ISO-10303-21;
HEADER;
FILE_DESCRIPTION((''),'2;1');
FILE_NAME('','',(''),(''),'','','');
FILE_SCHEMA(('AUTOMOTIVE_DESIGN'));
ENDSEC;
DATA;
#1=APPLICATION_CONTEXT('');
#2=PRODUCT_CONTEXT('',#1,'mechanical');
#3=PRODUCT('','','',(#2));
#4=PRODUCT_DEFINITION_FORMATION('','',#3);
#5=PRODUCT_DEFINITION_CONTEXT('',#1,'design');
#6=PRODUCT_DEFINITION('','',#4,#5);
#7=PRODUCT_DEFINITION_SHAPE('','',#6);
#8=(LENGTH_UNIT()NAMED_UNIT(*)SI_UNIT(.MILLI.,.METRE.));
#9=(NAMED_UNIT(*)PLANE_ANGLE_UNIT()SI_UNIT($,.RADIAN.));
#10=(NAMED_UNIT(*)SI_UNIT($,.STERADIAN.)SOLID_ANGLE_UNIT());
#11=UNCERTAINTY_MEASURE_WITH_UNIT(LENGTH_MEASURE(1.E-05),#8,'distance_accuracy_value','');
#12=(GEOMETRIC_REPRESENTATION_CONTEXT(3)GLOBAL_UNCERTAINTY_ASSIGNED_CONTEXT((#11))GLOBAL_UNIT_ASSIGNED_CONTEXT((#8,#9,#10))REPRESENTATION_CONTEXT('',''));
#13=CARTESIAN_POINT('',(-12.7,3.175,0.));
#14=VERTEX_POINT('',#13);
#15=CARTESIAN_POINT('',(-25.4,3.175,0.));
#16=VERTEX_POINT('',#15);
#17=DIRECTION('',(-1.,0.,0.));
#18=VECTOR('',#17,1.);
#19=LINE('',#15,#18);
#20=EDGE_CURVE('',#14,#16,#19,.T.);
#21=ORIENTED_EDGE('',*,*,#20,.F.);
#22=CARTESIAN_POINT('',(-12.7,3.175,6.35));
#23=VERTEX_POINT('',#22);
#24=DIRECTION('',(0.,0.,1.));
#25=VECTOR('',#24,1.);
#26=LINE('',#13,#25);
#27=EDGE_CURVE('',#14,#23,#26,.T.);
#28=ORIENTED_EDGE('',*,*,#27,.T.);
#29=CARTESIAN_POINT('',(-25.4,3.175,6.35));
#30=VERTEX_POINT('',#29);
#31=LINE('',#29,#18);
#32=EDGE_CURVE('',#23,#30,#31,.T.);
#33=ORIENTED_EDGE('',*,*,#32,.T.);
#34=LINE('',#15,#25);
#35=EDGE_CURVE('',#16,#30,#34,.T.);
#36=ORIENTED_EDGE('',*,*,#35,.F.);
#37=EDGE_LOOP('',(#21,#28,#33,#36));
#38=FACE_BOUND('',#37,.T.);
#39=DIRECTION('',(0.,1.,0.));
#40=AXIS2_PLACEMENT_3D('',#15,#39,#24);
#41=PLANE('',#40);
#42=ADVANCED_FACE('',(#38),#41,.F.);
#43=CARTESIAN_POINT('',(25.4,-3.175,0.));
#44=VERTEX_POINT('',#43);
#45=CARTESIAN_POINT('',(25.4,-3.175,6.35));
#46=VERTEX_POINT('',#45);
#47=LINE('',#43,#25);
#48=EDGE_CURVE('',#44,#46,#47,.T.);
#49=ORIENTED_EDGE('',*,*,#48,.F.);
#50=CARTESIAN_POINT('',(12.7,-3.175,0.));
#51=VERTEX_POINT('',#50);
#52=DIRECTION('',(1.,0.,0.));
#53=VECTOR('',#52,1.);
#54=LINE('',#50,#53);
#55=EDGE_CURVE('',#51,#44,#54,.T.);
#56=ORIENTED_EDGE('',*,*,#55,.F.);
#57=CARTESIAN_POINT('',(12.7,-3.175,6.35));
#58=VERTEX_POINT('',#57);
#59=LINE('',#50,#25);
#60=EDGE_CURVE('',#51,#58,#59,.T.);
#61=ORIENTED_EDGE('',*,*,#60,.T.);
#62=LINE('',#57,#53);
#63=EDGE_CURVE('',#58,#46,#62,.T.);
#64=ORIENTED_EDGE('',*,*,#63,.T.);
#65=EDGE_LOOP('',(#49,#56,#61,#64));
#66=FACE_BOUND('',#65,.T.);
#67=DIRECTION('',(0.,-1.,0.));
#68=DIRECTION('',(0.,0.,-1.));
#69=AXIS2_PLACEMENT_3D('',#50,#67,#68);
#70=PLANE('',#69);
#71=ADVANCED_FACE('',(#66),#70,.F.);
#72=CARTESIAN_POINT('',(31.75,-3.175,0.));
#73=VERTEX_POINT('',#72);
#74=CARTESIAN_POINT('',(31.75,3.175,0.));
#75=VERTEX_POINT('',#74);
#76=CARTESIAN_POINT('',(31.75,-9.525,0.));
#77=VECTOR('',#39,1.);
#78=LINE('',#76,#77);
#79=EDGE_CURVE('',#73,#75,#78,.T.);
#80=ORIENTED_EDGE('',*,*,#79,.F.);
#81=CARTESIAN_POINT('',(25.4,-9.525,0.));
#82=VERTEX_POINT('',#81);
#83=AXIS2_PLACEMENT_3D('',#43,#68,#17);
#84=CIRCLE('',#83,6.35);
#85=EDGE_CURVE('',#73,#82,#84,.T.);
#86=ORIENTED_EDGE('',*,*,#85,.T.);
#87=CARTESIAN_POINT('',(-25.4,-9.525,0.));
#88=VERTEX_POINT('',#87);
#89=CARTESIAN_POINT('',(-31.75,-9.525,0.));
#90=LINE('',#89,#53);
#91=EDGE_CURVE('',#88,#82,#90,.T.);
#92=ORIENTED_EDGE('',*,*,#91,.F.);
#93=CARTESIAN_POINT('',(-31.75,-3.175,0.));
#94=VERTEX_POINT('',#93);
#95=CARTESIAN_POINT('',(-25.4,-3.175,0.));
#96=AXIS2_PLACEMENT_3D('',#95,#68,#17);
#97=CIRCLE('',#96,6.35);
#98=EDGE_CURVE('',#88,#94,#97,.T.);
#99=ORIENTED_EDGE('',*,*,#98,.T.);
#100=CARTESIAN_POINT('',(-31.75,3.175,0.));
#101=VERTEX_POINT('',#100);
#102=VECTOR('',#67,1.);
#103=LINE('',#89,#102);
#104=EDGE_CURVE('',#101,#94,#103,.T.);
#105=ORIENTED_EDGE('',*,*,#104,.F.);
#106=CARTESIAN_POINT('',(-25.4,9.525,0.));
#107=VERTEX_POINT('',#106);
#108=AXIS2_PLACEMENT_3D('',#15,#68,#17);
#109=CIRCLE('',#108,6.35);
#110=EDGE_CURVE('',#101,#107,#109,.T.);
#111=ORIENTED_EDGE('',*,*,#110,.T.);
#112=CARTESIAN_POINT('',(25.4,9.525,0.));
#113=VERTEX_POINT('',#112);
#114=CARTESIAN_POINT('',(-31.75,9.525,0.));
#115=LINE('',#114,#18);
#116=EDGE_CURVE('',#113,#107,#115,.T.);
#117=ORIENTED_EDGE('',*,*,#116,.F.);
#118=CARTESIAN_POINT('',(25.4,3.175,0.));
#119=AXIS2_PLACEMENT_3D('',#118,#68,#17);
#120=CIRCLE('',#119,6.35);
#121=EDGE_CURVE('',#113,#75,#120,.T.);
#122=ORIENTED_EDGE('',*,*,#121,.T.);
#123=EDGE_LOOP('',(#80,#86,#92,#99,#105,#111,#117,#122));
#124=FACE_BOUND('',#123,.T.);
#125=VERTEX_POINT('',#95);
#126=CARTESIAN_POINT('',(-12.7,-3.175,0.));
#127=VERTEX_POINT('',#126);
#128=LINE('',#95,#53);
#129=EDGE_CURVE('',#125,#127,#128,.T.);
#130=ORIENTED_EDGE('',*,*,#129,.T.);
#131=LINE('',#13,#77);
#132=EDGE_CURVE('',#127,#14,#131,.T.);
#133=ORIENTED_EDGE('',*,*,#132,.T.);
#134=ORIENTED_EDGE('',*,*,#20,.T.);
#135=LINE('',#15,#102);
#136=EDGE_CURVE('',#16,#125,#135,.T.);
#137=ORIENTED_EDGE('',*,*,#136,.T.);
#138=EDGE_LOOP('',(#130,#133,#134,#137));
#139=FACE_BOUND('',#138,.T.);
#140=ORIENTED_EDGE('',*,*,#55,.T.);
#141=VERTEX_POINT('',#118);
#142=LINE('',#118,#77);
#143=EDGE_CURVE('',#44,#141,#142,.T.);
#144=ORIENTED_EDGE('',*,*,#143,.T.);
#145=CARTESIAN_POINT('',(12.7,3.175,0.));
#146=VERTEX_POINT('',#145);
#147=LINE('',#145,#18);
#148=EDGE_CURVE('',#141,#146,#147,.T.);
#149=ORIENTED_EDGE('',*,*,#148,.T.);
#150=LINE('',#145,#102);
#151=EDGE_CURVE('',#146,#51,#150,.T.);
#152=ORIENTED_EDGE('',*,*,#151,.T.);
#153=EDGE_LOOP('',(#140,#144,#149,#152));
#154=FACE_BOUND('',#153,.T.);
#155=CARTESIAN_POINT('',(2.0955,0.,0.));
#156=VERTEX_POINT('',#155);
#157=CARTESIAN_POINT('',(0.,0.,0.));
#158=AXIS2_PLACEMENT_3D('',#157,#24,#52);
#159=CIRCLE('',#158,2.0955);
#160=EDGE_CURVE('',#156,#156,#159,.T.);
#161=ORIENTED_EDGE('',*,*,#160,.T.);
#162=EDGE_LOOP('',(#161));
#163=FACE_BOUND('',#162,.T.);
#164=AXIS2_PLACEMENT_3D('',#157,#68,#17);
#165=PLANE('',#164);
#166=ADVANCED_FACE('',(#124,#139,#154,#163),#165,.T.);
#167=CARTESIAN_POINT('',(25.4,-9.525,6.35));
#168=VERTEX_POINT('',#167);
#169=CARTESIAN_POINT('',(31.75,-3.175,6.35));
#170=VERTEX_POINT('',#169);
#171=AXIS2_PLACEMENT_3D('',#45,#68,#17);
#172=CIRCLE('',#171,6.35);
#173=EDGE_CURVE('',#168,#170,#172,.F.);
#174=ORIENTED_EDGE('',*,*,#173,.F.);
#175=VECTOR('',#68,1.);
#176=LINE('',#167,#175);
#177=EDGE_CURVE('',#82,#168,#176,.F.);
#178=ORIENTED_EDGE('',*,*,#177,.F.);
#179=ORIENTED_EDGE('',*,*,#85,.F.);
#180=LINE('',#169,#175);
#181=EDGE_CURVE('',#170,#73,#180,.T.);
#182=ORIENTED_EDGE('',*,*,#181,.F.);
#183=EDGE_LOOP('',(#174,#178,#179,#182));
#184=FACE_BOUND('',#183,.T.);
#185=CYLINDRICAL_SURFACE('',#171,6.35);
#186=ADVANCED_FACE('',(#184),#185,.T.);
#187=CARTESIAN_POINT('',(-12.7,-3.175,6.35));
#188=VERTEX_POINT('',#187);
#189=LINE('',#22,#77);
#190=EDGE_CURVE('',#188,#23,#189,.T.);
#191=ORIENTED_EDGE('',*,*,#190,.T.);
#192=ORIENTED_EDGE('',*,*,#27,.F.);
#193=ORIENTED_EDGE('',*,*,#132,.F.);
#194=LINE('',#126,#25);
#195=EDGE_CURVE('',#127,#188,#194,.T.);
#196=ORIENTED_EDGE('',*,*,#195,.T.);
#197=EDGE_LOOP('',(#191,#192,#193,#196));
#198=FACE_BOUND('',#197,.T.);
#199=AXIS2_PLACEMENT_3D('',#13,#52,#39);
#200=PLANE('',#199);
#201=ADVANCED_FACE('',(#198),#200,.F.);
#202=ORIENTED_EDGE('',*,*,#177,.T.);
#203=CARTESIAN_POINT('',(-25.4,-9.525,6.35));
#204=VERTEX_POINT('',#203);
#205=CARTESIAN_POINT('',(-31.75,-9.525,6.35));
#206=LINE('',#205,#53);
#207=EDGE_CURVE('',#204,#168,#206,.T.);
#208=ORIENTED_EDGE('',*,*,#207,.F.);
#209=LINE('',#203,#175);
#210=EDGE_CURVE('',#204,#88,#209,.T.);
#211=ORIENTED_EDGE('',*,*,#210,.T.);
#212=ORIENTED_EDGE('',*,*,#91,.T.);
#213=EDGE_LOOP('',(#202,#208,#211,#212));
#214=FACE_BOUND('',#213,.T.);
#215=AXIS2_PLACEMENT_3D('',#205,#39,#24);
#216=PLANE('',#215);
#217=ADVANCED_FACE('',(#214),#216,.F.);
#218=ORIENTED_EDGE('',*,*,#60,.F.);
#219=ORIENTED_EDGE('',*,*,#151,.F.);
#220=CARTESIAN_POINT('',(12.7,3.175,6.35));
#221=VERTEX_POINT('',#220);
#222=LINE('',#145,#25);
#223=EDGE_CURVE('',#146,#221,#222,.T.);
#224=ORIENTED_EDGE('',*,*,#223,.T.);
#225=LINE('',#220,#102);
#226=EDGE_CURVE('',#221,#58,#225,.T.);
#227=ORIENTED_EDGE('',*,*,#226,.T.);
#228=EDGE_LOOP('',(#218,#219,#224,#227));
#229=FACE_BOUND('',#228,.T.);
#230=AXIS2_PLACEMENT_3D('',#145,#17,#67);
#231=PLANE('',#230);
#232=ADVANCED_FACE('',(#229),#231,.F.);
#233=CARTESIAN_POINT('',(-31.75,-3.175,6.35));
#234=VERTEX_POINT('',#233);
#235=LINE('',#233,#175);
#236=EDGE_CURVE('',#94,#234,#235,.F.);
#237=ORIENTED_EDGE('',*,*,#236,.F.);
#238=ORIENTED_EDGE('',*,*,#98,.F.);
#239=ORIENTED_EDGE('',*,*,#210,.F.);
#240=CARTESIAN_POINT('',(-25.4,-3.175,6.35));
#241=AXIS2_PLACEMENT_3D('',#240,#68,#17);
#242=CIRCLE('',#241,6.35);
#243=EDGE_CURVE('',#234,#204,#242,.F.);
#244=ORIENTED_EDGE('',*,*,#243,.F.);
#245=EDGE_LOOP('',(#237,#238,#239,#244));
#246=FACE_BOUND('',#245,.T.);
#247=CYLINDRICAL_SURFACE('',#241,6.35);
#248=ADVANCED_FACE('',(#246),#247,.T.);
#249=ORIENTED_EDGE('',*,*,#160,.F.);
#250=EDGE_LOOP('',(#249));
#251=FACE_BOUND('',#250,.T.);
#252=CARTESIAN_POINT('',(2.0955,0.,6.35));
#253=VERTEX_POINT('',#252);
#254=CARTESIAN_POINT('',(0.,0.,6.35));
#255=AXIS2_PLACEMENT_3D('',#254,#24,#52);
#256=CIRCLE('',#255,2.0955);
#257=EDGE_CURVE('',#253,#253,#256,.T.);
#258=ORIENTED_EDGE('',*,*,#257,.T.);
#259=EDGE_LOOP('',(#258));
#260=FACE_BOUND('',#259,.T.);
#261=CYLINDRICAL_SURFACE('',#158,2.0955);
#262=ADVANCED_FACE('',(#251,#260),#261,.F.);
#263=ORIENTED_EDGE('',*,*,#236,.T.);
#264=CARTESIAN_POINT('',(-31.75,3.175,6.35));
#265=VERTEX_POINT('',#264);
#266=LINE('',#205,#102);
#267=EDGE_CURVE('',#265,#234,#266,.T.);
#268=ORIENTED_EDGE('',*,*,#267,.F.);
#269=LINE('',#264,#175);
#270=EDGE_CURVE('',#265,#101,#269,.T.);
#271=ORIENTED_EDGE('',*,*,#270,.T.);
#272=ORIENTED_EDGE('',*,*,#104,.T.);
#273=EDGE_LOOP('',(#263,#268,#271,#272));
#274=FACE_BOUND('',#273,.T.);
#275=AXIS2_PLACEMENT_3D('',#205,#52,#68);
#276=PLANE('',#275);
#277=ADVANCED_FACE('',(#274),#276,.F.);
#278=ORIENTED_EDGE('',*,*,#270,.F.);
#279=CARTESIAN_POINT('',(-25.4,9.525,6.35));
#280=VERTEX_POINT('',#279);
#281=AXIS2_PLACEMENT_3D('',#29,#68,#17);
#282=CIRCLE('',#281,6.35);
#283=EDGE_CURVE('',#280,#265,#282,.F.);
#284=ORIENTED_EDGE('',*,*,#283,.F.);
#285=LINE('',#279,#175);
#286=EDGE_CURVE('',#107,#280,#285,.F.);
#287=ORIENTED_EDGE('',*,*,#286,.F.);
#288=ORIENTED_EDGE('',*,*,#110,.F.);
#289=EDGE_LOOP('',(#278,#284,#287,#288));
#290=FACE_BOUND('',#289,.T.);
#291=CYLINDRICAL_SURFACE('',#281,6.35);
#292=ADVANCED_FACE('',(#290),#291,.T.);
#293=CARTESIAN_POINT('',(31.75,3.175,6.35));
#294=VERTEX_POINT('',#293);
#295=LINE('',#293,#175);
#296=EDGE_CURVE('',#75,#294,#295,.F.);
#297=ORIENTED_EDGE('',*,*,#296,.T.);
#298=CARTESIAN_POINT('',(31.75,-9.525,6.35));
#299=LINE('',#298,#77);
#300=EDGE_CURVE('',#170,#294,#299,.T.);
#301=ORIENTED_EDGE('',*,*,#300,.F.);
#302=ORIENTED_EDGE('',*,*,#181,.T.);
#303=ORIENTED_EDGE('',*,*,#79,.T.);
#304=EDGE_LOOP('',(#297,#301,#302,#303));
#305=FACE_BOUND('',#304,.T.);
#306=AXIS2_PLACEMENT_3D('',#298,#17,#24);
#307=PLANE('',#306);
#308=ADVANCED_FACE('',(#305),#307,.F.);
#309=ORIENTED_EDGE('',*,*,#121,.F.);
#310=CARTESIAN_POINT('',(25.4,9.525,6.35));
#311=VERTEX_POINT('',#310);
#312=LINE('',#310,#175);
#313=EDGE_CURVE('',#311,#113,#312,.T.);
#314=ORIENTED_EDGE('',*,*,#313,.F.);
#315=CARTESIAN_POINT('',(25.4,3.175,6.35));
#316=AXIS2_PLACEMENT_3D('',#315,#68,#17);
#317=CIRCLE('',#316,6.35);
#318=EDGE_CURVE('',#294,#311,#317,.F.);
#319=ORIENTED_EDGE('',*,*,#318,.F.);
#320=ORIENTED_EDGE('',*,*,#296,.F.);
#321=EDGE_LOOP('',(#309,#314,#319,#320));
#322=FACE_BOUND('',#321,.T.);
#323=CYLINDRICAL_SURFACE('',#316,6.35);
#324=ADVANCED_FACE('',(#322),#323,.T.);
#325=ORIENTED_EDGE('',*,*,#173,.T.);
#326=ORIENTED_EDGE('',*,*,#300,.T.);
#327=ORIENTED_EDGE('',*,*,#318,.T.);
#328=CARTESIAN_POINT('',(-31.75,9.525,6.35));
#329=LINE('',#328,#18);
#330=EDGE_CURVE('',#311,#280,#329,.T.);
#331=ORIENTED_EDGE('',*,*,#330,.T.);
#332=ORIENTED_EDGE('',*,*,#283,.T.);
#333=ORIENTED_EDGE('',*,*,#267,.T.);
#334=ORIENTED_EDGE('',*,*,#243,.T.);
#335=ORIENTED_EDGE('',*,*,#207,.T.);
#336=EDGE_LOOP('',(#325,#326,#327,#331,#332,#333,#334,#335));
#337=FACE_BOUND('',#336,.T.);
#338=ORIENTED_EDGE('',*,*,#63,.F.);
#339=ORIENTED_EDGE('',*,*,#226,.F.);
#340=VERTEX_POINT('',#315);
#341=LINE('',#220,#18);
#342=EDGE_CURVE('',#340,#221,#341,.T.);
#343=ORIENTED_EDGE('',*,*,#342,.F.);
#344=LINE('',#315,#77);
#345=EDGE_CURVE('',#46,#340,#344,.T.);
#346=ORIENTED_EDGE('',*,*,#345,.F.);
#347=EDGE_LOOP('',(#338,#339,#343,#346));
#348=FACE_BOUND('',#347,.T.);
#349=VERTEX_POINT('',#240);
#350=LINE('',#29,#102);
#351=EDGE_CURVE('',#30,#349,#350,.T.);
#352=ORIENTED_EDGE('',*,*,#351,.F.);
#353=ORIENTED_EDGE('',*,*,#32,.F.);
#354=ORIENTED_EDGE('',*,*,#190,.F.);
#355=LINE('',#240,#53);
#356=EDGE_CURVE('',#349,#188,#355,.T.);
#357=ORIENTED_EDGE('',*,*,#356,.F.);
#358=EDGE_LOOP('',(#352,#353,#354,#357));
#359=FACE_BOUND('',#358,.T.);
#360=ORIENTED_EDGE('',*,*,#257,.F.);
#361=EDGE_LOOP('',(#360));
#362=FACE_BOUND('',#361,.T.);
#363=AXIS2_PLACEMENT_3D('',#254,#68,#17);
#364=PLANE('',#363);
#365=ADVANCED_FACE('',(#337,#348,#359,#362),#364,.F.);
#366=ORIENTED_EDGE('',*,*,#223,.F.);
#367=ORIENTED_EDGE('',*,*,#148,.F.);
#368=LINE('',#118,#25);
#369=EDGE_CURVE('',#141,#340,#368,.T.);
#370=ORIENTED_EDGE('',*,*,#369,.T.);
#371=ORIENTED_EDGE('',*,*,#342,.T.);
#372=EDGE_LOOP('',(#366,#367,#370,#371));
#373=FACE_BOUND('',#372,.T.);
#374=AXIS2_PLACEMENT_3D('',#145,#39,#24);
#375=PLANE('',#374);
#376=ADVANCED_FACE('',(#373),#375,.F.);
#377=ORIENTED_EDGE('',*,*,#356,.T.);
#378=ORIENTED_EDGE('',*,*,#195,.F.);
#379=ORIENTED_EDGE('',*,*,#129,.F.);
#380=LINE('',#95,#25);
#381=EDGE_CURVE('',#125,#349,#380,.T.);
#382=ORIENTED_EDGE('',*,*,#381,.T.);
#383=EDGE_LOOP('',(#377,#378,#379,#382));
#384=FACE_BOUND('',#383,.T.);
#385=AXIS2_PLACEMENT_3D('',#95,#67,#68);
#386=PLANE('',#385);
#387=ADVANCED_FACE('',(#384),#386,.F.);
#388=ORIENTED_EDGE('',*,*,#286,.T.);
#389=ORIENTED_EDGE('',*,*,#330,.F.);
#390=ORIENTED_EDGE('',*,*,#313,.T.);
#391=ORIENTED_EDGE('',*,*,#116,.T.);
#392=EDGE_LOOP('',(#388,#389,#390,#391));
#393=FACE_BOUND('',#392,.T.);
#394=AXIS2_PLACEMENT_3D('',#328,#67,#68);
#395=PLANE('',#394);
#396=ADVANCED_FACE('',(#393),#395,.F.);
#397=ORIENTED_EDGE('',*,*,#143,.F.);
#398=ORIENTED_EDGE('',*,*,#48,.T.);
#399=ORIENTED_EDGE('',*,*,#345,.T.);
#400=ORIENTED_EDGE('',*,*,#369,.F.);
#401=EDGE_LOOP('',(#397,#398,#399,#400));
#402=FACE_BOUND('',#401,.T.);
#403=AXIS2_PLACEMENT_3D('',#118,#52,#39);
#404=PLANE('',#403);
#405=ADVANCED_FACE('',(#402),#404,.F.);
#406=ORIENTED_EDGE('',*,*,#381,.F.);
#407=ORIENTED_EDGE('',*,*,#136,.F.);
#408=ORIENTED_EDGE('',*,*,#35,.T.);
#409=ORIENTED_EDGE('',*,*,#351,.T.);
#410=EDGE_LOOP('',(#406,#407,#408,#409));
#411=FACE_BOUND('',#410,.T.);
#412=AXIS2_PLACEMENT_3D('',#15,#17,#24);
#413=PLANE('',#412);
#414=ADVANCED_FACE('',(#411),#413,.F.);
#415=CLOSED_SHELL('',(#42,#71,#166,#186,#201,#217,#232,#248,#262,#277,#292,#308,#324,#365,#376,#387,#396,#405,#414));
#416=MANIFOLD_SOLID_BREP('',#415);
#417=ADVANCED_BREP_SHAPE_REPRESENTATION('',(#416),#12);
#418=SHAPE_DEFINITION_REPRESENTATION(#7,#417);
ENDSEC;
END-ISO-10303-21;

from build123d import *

# Parameters (mm, degrees)
SKETCH1_W           = 63.5
SKETCH1_H           = 19.05
BOSS_EXTRUDE1_DEPTH = 6.35
SKETCH2_R           = 2.0955
SKETCH2_W           = 12.7
SKETCH2_H           = 6.35
CUT_EXTRUDE1_DEPTH  = 6.35
FILLET1_R           = 6.35


with BuildPart() as part:
    # Sketch1 → Boss-Extrude1 (new body)
    with BuildSketch(Plane.XY):
        Rectangle(SKETCH1_W, SKETCH1_H)
    extrude(amount=BOSS_EXTRUDE1_DEPTH)

    # Sketch2 → Cut-Extrude1 (cut)
    with BuildSketch(Plane.XY.offset(6.35)):
        Circle(SKETCH2_R)
        with Locations((-19.05, 0)):
            Rectangle(SKETCH2_W, SKETCH2_H)
        with Locations((19.05, 0)):
            Rectangle(SKETCH2_W, SKETCH2_H)
    extrude(amount=-CUT_EXTRUDE1_DEPTH, mode=Mode.SUBTRACT)

    # Fillet1
    fillet1_edges = [part.edges().sort_by_distance(p)[0] for p in [
        (31.75, -9.525, 3.175),
        (-31.75, -9.525, 3.175),
        (-31.75, 9.525, 3.175),
        (31.75, 9.525, 3.175),
    ]]
    fillet(fillet1_edges, radius=FILLET1_R)


solid = part.part
